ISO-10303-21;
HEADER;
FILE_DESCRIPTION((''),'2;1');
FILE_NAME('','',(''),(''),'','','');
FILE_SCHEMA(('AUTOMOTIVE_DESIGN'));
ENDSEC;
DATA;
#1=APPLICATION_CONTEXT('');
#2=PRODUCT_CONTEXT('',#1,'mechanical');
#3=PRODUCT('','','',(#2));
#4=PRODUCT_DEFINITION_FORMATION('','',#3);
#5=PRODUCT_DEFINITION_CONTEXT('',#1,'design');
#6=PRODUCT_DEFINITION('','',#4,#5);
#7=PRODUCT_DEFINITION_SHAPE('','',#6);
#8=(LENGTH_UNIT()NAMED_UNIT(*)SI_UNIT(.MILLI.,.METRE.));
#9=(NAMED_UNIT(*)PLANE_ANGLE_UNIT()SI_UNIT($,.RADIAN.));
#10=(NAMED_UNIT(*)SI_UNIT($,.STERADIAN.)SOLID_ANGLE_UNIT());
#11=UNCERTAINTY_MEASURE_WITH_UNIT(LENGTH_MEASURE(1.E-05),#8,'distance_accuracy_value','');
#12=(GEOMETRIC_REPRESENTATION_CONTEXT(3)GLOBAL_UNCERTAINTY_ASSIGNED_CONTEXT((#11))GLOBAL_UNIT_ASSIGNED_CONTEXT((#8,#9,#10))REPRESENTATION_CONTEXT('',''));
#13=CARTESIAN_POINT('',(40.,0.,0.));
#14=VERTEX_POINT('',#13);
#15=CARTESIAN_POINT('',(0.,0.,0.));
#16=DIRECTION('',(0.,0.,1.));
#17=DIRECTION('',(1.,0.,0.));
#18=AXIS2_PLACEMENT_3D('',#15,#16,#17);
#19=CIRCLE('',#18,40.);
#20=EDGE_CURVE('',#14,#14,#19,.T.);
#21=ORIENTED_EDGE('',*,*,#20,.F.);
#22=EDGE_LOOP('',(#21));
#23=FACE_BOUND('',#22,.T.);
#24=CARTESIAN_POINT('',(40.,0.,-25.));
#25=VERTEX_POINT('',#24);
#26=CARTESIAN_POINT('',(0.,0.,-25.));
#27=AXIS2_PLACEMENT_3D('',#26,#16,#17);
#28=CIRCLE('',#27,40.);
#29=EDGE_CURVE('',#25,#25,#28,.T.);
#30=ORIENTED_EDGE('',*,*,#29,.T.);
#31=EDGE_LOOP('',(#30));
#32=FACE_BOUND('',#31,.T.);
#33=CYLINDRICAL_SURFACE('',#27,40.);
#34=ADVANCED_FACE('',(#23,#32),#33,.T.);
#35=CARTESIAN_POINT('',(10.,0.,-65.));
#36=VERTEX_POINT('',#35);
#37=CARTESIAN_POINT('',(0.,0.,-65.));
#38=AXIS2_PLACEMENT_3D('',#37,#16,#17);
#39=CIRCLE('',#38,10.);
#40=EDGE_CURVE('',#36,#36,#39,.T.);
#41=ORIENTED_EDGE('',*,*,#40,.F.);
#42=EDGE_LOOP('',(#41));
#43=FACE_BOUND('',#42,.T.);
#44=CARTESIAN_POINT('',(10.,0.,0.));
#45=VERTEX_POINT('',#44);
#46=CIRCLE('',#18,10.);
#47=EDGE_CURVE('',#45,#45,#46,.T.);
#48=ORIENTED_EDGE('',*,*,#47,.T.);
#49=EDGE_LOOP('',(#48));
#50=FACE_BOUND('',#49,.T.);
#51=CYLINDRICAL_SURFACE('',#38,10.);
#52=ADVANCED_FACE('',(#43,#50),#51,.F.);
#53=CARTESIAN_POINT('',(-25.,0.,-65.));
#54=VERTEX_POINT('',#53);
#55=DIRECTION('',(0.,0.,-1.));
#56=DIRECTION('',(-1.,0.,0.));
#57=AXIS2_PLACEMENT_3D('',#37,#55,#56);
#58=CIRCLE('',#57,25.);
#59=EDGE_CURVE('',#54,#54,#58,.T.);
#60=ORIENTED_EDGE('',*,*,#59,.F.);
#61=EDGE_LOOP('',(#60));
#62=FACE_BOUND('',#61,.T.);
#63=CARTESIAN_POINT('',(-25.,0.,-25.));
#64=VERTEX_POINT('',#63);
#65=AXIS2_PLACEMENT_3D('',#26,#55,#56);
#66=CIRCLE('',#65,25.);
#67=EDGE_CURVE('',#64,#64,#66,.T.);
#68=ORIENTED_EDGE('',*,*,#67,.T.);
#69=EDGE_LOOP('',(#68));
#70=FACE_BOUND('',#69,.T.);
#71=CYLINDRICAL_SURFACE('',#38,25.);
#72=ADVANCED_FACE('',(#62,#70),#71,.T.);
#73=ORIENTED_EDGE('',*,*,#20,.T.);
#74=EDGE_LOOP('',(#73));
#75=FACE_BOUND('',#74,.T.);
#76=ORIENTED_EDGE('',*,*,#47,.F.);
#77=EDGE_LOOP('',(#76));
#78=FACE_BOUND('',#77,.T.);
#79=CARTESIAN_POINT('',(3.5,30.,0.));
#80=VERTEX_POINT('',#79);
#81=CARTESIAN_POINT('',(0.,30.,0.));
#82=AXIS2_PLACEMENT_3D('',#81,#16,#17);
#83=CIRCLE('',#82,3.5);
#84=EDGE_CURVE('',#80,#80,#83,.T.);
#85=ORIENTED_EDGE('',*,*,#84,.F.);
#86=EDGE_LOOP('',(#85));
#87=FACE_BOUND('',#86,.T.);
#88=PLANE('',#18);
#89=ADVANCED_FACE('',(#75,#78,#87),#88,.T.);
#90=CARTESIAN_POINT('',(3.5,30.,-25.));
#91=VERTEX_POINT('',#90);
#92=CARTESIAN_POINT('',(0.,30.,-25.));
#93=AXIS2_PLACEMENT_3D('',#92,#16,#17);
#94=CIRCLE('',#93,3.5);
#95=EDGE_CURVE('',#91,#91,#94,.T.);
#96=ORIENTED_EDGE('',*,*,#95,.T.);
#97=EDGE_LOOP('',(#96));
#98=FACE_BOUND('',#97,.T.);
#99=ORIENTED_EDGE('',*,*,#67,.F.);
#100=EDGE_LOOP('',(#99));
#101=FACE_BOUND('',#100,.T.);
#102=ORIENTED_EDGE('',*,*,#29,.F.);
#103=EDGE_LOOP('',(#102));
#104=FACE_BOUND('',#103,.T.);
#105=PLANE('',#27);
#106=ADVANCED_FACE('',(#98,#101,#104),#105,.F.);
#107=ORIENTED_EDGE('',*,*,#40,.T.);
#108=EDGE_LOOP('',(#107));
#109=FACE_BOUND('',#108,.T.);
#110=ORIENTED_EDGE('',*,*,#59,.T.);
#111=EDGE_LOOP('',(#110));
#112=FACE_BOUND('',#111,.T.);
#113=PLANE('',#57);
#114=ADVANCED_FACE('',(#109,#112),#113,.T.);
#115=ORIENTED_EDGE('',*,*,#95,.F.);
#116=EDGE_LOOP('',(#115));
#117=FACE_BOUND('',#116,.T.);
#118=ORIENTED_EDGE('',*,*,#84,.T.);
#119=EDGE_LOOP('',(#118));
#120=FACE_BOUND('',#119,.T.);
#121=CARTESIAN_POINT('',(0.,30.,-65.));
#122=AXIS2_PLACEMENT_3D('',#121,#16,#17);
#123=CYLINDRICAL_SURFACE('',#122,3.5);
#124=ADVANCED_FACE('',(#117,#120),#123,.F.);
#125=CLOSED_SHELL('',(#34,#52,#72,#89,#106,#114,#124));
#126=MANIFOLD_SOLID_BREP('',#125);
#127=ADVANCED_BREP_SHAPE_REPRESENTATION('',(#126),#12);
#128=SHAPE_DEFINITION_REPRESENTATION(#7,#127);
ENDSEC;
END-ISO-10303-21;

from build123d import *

# Parameters (mm, degrees)
SKETCH2_R           = 40
BOSS_EXTRUDE1_DEPTH = 25
SKETCH3_R           = 25
BOSS_EXTRUDE2_DEPTH = 40
SKETCH4_R           = 10
CUT_EXTRUDE1_DEPTH  = 87.168439698
SKETCH5_R           = 3.5
CUT_EXTRUDE2_DEPTH  = 87.168439698


with BuildPart() as part:
    # Sketch2 → Boss-Extrude1 (new body)
    with BuildSketch(Plane.XY):
        Circle(SKETCH2_R)
    extrude(amount=-BOSS_EXTRUDE1_DEPTH)

    # Sketch3 → Boss-Extrude2 (add)
    with BuildSketch(Plane(origin=(0, 0, -25), x_dir=(-1, 0, 0), z_dir=(0, 0, -1))):
        Circle(SKETCH3_R)
    extrude(amount=BOSS_EXTRUDE2_DEPTH)

    # Sketch4 → Cut-Extrude1 (cut, through all)
    with BuildSketch(Plane.XY):
        Circle(SKETCH4_R)
    extrude(amount=-CUT_EXTRUDE1_DEPTH, mode=Mode.SUBTRACT)

    # Sketch5 → Cut-Extrude2 (cut, through all)
    with BuildSketch(Plane.XY):
        with Locations((0, 30)):
            Circle(SKETCH5_R)
    extrude(amount=-CUT_EXTRUDE2_DEPTH, mode=Mode.SUBTRACT)


solid = part.part
